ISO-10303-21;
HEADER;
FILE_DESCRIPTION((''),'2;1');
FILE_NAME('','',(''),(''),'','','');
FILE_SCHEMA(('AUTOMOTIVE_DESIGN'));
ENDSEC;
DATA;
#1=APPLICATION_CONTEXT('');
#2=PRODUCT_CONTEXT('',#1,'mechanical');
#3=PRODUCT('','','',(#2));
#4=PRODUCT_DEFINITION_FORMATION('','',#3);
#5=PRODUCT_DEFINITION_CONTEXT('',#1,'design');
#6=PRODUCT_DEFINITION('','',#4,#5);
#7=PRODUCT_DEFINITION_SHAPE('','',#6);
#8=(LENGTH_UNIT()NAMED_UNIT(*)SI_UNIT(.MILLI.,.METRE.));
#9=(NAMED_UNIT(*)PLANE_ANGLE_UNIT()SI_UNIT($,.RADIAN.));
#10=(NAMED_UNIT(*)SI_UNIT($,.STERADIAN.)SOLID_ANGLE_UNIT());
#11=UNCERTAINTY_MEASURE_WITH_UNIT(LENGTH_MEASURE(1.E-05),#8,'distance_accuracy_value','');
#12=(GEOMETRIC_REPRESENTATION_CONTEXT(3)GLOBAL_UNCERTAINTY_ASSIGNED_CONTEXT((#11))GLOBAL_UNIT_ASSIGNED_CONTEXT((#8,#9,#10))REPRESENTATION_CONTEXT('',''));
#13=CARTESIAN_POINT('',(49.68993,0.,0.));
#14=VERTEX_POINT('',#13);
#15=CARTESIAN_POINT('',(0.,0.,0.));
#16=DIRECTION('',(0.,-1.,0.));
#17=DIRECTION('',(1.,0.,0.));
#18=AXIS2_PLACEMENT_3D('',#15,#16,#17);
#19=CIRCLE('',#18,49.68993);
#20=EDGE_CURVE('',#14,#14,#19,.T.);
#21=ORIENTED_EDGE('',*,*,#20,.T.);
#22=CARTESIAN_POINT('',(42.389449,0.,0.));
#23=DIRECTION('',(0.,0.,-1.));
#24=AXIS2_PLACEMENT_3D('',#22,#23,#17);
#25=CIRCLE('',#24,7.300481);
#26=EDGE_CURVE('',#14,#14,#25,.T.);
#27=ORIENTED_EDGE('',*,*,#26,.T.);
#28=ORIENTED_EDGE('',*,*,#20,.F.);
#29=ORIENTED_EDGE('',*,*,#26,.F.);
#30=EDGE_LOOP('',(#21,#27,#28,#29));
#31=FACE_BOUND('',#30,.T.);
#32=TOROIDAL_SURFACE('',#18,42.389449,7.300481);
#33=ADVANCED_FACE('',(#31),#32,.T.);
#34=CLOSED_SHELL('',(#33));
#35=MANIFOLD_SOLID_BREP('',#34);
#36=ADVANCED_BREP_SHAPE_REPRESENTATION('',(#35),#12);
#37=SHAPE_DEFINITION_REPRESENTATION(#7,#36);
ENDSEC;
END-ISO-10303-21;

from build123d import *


with BuildPart() as f2:
    # F2: sweep along a path in F0
    with BuildLine(Plane.XZ) as f2_path:
        CenterArc((0, 0), 42.389449, 0, 360)
    # F1 (on Top) → F2 (sweep)
    with BuildSketch(Plane.XY):
        with BuildLine():
            ThreePointArc((35.088968, 0), (42.389449, -7.300481), (49.68993, 0))
            ThreePointArc((49.68993, 0), (42.389449, 7.300481), (35.088968, 0))
        make_face()
    sweep(path=f2_path.line)


solid = f2.part
